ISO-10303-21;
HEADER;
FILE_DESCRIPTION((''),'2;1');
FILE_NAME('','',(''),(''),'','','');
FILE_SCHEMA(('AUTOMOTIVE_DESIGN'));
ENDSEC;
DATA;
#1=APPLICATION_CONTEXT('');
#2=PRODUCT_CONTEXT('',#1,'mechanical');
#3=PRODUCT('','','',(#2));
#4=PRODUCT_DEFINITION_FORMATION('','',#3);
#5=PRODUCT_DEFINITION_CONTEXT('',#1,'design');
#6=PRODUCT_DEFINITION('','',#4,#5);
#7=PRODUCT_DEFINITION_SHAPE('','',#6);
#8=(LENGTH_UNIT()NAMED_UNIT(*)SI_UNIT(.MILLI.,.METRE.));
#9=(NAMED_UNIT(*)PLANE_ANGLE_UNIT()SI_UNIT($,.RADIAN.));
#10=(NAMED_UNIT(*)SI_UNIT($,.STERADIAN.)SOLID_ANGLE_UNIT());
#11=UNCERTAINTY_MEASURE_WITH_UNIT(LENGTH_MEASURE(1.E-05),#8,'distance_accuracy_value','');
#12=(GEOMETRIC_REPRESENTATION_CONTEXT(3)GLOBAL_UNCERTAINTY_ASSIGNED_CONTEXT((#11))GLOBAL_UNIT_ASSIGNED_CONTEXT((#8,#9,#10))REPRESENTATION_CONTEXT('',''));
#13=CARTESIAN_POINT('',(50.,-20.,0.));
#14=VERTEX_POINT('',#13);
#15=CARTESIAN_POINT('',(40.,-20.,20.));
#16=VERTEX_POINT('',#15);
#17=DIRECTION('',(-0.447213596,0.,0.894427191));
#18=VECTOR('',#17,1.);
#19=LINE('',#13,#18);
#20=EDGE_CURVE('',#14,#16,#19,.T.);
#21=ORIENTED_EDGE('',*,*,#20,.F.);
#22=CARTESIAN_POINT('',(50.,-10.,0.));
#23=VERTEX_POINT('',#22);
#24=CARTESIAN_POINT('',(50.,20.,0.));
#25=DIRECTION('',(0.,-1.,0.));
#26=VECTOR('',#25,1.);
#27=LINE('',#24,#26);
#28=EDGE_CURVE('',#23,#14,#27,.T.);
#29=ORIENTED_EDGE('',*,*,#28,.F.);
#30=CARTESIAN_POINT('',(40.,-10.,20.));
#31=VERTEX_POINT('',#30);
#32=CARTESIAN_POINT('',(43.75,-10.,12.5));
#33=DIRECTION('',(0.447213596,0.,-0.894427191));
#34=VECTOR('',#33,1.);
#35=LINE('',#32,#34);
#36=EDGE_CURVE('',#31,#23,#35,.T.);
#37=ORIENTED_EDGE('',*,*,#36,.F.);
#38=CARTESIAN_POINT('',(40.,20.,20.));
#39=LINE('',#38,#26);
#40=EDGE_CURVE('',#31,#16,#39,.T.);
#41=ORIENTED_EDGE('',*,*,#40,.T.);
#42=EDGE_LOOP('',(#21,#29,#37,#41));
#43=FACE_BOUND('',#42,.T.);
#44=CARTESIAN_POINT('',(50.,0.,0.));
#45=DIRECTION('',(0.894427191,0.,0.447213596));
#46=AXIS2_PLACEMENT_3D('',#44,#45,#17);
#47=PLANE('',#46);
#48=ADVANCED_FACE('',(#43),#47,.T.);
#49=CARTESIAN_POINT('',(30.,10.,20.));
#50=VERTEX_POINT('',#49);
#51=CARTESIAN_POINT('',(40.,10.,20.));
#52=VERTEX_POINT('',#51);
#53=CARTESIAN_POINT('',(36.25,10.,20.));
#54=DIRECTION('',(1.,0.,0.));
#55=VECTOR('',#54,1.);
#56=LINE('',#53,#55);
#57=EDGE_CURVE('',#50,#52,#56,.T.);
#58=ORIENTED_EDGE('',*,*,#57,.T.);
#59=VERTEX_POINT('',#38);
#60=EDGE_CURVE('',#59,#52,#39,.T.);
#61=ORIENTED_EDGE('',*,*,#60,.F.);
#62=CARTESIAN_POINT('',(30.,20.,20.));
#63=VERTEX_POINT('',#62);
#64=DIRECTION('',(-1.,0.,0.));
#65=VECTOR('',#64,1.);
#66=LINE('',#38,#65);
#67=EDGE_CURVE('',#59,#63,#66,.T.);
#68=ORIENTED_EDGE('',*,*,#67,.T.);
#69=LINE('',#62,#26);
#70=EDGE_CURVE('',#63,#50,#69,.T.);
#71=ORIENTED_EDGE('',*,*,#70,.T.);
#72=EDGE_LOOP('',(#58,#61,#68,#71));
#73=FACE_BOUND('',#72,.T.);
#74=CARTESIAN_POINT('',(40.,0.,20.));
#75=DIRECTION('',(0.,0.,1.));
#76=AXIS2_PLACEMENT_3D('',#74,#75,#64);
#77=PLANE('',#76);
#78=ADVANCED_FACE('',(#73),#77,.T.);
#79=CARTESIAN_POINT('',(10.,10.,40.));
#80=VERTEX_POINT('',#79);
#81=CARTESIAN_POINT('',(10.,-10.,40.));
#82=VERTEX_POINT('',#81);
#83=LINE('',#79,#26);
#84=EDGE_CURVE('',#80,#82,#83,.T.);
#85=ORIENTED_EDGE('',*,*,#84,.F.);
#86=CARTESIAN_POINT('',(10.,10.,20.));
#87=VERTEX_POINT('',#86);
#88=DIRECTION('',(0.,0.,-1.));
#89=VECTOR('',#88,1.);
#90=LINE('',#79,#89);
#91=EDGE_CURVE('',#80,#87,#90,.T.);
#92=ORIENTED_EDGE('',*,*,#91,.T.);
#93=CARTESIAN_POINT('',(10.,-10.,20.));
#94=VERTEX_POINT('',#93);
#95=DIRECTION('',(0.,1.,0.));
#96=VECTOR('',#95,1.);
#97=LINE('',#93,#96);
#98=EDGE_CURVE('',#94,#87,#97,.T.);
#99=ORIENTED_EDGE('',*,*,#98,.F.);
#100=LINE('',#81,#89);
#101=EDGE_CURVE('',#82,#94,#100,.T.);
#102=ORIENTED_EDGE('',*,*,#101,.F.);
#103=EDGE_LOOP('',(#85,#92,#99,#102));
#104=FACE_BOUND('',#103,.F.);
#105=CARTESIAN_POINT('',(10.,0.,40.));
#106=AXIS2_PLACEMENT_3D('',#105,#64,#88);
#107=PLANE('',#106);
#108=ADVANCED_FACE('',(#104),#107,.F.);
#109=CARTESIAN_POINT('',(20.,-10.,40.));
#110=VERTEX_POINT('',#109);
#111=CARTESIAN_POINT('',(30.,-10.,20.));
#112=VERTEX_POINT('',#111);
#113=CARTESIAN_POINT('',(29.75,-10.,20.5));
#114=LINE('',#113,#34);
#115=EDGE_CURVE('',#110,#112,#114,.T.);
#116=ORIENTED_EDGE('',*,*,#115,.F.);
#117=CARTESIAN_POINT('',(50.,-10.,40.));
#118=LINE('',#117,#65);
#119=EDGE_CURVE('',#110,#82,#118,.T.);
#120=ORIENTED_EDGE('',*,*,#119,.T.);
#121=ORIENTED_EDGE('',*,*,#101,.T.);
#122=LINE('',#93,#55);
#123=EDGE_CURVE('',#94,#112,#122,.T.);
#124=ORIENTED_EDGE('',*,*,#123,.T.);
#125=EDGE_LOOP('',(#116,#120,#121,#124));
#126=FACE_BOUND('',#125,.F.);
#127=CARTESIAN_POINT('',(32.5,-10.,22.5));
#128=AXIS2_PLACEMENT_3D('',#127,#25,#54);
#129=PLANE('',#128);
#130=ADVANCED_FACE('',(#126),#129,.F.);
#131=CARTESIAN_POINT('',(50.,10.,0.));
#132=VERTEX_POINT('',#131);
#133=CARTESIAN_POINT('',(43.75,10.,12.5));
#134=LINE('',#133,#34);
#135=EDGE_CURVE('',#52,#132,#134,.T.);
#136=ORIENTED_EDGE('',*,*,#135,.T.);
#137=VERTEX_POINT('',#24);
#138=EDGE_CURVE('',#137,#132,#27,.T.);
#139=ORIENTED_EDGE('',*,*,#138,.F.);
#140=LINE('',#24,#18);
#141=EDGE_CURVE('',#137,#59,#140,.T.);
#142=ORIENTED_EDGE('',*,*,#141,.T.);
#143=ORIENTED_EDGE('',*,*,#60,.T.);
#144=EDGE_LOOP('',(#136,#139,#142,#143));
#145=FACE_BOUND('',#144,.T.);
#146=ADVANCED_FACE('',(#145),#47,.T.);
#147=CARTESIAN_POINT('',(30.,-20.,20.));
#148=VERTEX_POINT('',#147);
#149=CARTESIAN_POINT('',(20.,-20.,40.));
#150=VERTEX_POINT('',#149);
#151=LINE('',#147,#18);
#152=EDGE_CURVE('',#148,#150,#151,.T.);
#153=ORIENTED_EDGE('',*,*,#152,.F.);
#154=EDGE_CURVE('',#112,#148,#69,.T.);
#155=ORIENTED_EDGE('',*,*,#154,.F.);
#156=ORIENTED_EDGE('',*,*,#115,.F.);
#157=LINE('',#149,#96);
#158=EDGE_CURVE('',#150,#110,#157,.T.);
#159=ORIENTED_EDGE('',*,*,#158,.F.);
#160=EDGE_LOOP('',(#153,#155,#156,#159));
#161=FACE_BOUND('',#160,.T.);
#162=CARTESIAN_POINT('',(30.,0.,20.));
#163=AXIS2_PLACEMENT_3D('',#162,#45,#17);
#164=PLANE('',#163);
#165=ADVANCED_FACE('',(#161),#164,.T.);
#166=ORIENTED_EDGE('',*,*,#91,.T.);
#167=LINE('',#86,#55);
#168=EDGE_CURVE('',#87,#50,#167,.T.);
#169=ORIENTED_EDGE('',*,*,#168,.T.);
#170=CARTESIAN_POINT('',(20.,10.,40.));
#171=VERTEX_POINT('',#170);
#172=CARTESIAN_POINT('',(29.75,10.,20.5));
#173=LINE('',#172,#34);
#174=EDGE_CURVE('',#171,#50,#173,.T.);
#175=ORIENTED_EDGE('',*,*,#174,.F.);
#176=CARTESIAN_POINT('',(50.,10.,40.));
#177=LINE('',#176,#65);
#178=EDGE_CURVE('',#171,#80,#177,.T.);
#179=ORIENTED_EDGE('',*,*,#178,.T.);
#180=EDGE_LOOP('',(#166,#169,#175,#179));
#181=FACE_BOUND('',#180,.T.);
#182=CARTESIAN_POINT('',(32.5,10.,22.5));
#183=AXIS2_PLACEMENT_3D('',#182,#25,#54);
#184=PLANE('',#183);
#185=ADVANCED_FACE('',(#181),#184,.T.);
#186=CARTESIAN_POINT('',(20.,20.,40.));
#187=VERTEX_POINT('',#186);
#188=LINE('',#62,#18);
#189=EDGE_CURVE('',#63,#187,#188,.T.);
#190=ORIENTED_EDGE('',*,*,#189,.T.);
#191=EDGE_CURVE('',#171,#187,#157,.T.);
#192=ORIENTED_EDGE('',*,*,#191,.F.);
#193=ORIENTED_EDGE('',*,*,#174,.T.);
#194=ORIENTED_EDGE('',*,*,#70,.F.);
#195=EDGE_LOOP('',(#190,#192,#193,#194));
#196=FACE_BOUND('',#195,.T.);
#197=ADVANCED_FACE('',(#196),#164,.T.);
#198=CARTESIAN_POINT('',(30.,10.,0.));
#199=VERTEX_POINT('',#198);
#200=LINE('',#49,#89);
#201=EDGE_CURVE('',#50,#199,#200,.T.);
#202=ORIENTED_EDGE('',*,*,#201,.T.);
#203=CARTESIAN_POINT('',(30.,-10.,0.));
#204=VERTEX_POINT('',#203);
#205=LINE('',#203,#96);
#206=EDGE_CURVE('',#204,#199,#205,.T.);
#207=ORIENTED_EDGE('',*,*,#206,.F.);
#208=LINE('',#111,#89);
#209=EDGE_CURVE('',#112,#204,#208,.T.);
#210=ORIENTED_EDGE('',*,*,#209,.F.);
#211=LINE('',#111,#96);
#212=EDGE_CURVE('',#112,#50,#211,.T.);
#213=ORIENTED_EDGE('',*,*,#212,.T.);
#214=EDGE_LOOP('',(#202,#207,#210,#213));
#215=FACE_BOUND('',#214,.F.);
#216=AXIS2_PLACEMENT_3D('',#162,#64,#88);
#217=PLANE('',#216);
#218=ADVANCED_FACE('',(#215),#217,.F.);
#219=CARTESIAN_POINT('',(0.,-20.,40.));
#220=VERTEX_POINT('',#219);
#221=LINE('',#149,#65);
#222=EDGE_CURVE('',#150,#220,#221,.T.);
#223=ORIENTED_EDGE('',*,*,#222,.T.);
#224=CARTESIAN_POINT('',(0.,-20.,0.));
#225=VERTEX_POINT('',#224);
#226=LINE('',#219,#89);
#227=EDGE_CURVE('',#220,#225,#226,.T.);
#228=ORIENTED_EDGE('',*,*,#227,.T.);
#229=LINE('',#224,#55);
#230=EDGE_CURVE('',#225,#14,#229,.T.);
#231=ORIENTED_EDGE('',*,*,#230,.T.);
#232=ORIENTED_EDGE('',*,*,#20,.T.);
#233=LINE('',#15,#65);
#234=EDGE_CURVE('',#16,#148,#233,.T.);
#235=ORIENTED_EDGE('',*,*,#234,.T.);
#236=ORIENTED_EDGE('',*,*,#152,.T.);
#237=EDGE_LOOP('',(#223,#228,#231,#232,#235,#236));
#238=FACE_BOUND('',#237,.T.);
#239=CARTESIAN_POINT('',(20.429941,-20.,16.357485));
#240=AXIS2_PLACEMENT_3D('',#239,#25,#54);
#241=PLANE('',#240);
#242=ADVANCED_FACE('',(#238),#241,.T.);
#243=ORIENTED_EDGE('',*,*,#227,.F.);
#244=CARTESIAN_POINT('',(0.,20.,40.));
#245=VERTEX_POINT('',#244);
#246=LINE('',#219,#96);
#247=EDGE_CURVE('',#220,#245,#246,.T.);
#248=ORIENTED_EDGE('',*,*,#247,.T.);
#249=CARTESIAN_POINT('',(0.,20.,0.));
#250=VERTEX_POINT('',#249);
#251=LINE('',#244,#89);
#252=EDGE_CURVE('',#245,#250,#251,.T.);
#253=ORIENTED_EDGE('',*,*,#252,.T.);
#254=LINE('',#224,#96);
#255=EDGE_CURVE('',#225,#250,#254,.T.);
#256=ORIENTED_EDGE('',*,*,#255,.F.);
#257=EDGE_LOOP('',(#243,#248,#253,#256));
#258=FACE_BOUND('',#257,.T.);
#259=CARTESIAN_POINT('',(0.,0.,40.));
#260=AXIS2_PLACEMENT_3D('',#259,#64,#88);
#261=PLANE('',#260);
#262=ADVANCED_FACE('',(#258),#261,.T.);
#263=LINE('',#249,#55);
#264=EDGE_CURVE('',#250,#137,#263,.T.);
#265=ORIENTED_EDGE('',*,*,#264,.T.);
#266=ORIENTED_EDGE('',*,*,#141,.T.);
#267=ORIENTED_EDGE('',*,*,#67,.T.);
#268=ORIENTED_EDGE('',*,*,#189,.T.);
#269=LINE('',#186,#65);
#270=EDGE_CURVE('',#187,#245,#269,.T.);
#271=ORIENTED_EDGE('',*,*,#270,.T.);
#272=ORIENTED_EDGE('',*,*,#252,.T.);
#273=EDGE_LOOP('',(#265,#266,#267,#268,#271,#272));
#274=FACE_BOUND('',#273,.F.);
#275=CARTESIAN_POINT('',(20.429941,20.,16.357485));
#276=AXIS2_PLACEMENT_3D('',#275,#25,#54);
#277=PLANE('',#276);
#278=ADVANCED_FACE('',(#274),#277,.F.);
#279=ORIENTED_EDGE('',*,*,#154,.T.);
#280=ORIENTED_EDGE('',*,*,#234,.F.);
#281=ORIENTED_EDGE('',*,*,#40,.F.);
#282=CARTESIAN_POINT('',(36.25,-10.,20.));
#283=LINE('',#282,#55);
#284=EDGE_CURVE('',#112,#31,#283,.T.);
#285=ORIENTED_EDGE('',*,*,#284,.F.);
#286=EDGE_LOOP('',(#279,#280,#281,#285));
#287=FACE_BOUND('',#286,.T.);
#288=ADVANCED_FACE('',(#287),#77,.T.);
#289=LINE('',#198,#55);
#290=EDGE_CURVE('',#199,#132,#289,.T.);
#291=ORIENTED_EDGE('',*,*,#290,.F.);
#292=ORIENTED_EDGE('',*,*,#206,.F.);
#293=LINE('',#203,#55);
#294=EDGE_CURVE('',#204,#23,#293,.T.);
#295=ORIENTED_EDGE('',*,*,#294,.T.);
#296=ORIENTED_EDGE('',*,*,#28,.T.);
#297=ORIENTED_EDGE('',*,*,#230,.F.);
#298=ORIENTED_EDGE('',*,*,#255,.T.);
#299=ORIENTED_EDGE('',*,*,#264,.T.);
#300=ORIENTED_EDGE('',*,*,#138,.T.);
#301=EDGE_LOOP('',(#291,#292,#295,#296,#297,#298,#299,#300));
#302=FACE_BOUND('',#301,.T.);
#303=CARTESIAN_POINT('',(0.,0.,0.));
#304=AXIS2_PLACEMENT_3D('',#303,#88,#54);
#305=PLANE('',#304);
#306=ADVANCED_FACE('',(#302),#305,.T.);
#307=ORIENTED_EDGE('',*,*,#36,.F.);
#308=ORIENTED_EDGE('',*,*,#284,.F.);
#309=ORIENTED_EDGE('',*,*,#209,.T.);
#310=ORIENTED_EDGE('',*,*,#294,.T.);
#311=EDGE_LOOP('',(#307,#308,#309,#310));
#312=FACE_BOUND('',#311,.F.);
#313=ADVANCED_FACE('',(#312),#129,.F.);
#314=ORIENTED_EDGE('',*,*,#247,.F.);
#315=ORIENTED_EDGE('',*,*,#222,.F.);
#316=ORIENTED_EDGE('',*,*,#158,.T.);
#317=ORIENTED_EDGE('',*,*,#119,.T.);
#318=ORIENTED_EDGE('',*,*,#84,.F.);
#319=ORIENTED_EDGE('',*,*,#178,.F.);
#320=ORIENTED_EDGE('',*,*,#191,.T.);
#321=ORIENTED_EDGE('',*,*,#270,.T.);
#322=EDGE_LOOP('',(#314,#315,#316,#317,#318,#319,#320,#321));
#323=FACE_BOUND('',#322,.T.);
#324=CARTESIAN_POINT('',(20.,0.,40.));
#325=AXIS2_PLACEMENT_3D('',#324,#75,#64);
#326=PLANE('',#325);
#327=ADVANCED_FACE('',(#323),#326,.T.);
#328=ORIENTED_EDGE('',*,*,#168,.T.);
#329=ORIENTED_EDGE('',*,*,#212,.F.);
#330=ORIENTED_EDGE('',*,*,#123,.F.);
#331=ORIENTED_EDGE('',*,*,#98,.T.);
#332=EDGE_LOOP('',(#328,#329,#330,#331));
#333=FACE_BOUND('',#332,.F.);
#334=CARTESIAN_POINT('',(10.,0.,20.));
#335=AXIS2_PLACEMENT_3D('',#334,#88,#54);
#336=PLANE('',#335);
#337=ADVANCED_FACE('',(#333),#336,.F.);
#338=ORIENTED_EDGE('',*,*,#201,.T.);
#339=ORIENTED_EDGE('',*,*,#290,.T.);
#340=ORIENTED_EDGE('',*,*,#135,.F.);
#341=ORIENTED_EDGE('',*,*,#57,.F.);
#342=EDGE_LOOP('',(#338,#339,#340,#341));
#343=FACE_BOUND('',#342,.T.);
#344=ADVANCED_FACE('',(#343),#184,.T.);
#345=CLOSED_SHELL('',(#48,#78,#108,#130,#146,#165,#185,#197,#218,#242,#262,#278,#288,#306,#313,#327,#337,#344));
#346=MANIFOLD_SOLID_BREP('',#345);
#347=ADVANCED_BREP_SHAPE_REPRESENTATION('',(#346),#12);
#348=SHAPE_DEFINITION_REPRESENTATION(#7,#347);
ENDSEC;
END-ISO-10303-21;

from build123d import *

# Parameters (mm, degrees)
F1_DEPTH = 20
F3_DEPTH = 10


with BuildPart() as f1:
    # F0 (on Front) → F1 (new body, symmetric)
    with BuildSketch(Plane.XZ):
        Polygon((0, 0), (50, 0), (40, 20), (30, 20), (20, 40), (0, 40), align=None)
    extrude(amount=F1_DEPTH, both=True)

    # F2 (on Front) → F3 (cut, symmetric)
    with BuildSketch(Plane.XZ):
        Polygon((30, 0), (50, 0), (50, 40), (10, 40), (10, 20), (30, 20), align=None)
    extrude(amount=F3_DEPTH, both=True, mode=Mode.SUBTRACT)


solid = f1.part
